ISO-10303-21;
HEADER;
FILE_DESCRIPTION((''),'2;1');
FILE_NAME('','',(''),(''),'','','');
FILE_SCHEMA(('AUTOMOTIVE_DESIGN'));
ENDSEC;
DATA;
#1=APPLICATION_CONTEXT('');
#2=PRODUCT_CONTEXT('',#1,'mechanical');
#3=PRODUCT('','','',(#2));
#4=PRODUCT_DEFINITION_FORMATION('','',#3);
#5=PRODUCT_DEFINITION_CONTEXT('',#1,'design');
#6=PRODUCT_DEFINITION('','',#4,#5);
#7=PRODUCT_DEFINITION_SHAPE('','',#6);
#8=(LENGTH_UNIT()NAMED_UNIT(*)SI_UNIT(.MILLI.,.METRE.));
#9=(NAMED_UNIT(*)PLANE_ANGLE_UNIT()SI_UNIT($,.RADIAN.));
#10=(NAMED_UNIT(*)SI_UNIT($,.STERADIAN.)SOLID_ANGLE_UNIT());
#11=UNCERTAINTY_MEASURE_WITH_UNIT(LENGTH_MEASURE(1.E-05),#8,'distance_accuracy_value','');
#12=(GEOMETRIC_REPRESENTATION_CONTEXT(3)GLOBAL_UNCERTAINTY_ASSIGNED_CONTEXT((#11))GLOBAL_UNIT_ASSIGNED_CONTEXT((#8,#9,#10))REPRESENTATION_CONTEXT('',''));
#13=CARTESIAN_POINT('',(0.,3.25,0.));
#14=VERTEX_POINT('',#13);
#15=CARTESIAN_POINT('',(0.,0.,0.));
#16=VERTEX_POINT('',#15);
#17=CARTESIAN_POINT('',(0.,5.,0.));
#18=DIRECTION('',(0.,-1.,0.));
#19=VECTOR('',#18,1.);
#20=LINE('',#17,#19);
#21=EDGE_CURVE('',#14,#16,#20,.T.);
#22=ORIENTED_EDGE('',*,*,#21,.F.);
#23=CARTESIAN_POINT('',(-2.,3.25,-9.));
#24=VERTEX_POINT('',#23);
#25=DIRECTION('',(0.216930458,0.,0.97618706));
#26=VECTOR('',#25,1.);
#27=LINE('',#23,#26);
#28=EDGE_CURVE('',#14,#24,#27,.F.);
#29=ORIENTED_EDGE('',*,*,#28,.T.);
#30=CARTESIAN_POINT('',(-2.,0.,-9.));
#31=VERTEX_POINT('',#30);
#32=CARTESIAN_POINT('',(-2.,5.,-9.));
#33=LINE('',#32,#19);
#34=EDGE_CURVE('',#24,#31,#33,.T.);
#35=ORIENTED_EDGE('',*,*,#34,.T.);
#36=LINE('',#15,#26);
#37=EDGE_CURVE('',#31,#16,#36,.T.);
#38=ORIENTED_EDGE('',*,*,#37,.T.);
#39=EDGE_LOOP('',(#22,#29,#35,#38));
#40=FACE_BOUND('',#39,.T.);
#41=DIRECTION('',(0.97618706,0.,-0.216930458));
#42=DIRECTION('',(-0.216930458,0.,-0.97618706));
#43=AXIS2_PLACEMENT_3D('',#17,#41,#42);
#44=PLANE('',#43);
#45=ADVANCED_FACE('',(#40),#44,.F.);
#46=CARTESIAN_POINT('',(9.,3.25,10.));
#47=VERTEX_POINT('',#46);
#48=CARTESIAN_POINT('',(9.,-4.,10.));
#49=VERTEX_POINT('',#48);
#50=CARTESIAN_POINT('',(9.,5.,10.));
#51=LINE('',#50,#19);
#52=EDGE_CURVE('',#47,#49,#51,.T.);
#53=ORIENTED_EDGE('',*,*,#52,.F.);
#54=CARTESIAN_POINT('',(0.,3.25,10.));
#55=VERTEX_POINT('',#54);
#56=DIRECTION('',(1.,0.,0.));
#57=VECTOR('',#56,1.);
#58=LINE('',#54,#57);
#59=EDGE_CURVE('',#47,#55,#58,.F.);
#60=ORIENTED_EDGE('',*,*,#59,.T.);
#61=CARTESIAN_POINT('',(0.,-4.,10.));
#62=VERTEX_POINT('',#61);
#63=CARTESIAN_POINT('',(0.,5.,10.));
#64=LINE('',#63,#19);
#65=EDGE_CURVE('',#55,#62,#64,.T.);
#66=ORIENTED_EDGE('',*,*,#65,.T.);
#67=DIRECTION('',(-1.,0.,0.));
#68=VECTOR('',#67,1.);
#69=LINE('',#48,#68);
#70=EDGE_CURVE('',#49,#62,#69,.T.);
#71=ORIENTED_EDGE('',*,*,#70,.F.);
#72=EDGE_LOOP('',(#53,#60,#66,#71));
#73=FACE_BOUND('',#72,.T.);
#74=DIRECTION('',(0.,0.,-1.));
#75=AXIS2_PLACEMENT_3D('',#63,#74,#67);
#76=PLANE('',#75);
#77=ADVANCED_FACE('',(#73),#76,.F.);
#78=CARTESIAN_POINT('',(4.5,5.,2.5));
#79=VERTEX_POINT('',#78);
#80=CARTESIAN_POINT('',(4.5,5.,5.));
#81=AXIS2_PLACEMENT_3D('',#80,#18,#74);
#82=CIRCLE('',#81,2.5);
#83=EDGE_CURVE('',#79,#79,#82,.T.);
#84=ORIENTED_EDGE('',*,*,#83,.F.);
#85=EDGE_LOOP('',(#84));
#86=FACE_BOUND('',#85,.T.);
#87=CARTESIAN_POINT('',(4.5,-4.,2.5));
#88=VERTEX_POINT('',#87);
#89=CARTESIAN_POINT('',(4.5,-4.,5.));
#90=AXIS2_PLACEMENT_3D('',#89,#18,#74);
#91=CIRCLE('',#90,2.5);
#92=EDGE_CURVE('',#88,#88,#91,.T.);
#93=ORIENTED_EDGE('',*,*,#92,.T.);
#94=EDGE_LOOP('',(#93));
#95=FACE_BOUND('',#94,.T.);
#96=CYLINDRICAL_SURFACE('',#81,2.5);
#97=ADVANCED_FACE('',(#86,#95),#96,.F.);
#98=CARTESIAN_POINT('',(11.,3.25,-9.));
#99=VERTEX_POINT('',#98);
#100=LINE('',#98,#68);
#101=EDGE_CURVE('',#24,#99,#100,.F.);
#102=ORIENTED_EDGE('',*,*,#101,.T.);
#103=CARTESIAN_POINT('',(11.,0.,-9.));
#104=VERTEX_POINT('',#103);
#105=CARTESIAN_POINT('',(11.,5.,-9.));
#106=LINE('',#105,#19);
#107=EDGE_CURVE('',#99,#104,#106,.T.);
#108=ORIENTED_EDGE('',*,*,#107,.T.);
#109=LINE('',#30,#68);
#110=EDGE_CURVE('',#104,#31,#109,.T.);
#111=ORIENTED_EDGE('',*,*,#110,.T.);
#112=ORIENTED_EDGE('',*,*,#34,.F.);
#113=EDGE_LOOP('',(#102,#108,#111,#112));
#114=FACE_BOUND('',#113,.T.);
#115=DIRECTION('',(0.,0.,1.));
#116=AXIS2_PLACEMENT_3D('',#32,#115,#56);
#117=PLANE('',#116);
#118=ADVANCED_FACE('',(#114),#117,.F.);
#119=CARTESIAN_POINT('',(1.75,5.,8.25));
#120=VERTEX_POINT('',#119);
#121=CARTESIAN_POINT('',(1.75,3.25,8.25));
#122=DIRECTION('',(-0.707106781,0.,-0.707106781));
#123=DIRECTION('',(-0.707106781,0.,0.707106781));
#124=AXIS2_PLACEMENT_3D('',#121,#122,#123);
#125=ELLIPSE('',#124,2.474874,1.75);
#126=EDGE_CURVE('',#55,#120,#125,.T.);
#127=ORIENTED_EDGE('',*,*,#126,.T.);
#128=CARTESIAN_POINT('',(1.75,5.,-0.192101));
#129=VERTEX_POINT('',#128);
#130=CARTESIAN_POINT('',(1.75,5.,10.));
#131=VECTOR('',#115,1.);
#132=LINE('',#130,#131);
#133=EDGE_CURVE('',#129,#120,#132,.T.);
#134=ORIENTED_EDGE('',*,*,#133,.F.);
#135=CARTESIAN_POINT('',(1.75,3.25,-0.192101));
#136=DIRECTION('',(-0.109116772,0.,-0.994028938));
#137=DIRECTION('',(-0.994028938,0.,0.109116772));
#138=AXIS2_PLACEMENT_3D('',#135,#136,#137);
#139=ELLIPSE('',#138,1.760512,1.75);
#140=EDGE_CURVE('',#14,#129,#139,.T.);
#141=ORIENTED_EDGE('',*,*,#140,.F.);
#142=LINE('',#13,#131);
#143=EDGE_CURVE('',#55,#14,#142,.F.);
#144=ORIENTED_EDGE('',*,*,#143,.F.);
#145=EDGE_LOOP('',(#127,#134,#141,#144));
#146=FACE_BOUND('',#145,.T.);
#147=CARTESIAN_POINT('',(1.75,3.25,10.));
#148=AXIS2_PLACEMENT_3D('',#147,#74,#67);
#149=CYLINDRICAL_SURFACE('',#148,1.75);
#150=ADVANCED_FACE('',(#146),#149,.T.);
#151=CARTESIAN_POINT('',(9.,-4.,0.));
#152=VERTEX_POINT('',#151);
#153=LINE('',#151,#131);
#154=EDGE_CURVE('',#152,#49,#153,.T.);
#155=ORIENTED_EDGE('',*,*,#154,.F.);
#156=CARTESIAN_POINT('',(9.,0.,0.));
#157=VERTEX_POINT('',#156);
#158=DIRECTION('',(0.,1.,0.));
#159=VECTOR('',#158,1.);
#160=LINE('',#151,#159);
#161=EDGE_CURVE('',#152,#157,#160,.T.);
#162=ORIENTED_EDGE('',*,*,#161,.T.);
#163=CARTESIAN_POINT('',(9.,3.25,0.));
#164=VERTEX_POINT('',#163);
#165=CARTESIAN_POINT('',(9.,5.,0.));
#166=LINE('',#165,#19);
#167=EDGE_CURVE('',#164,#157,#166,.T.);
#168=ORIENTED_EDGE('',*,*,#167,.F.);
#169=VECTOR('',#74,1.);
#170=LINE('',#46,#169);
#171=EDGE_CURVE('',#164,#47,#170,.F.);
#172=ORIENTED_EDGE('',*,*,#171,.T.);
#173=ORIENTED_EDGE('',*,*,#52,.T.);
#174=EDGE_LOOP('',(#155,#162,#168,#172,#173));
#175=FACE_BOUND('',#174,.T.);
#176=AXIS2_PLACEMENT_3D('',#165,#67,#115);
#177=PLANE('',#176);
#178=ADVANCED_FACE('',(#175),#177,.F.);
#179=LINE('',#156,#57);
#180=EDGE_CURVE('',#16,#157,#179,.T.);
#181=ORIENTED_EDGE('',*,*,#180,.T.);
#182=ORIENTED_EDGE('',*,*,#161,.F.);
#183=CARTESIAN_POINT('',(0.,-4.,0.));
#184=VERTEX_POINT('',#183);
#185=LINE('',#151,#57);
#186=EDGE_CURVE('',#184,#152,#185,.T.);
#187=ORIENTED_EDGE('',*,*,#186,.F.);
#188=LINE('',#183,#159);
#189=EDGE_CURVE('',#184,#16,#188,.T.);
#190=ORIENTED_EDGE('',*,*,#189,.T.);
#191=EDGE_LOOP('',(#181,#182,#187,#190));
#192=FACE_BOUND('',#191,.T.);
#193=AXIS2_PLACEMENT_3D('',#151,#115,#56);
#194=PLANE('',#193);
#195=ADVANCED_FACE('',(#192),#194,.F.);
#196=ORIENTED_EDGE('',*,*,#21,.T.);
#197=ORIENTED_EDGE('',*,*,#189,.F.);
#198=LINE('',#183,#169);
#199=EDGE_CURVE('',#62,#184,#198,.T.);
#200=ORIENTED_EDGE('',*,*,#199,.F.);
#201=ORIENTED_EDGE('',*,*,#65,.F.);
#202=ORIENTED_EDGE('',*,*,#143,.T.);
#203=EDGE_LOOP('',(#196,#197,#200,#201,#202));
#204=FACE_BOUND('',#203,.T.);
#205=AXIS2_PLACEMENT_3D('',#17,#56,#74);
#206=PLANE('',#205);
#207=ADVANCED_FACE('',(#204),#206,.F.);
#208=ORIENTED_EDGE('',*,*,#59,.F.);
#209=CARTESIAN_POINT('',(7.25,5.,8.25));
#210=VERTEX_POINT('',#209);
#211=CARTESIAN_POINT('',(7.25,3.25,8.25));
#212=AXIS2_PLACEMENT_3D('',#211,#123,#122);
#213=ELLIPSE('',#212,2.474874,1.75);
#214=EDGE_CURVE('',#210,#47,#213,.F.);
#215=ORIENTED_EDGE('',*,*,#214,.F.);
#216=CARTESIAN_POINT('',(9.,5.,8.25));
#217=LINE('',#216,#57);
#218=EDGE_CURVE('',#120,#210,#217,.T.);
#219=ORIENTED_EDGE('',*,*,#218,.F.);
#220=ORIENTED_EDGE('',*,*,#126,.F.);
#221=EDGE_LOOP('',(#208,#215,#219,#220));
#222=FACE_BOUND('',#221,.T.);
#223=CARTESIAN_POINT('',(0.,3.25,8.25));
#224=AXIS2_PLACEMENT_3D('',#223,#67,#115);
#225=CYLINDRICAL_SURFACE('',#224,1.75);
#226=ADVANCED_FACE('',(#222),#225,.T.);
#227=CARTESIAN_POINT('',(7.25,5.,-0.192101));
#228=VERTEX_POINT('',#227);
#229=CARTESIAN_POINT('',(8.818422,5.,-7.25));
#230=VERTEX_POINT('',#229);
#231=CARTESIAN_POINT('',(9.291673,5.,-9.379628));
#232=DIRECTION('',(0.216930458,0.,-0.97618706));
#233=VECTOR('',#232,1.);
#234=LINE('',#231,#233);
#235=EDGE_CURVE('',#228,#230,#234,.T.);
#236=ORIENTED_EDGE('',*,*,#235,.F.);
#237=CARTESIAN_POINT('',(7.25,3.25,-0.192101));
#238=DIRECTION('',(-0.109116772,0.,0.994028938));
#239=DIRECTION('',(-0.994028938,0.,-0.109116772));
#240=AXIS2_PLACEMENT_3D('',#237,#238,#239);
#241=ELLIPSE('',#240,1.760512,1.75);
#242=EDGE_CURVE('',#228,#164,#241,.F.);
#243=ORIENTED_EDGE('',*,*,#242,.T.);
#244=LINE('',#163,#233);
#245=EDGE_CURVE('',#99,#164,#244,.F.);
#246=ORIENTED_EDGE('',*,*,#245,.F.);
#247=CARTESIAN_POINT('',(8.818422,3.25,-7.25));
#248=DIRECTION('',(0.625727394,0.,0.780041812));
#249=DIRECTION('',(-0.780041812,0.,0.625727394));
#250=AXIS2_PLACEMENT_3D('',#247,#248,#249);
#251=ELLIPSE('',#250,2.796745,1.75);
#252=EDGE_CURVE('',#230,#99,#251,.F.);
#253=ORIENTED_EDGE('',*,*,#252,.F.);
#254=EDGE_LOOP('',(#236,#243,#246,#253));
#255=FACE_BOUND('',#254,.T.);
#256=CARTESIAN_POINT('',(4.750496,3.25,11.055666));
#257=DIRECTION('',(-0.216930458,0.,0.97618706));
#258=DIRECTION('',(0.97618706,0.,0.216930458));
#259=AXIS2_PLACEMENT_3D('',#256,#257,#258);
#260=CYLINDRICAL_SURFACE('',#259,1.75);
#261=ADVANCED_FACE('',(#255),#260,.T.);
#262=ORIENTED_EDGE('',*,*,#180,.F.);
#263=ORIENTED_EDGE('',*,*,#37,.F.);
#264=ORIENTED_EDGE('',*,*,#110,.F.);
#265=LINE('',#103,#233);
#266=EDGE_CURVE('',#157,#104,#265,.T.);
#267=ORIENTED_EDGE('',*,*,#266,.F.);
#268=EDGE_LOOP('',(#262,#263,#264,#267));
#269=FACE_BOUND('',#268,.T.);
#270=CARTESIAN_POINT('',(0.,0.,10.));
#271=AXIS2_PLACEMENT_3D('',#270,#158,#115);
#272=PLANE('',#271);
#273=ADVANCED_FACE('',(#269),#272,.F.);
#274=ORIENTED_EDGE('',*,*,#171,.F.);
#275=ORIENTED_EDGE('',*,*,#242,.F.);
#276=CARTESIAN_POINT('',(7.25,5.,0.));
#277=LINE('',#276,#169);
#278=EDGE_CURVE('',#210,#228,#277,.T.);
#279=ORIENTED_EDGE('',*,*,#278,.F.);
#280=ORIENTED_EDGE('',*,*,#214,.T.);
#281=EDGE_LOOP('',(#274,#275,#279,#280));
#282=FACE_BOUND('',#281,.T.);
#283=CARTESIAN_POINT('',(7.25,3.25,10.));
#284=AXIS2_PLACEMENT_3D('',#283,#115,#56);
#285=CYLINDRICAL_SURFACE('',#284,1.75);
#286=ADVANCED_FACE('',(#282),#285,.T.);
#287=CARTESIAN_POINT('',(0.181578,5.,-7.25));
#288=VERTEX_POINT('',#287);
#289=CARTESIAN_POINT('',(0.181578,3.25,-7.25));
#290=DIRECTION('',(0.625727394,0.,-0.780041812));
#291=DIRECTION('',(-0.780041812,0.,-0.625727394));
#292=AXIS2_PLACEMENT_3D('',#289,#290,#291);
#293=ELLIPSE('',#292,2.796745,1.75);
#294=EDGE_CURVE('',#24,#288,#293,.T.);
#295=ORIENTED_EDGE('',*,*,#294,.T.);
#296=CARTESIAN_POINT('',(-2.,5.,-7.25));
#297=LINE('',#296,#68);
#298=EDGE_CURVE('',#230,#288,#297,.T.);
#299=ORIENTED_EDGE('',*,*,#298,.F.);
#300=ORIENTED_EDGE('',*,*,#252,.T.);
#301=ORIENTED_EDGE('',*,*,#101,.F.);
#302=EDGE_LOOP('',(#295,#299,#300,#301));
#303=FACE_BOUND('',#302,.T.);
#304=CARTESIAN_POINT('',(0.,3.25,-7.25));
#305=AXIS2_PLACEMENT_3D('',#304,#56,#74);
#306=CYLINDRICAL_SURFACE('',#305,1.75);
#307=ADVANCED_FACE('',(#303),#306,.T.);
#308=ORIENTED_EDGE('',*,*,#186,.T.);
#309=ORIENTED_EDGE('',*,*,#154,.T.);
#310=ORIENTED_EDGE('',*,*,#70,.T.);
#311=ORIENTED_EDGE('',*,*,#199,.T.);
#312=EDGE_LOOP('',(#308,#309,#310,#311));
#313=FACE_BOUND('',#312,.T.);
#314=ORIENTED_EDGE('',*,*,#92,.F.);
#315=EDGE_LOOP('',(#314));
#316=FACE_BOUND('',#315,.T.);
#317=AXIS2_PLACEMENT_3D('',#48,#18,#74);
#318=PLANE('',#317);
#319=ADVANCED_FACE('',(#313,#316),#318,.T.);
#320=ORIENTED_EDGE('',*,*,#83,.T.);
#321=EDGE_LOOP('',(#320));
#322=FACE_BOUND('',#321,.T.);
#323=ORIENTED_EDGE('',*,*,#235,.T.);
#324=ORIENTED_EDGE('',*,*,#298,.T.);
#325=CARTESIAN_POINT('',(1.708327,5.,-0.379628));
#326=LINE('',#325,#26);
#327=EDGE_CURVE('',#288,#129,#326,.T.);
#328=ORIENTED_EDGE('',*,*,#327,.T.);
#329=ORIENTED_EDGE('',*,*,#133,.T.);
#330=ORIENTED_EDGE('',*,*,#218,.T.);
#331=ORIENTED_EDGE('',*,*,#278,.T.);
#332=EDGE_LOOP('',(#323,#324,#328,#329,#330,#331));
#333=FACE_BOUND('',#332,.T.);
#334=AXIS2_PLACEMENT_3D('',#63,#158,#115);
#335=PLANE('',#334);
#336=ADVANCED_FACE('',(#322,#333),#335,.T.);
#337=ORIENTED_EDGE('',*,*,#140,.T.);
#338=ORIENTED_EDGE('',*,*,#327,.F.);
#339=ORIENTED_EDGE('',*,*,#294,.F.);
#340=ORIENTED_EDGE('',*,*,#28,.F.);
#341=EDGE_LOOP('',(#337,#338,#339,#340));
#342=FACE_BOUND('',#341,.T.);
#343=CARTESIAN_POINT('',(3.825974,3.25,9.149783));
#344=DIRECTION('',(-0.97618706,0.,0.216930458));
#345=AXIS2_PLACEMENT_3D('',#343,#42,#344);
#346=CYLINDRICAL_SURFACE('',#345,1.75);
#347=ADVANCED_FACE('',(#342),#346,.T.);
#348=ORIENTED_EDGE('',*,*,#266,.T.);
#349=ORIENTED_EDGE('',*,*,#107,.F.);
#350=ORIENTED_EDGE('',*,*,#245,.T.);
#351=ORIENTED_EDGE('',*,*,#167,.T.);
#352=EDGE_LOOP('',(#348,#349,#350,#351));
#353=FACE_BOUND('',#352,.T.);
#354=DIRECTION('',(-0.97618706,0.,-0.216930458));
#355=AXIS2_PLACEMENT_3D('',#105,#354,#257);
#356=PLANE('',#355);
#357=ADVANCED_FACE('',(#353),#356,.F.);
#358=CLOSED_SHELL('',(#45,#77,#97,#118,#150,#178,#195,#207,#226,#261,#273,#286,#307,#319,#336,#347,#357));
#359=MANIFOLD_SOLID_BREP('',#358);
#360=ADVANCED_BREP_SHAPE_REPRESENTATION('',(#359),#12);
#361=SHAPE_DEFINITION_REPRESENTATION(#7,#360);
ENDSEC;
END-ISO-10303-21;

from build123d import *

# Parameters (mm, degrees)
BOSS_EXTRUDE2_DEPTH = 5
SKETCH3_W           = 9
SKETCH3_H           = 10
BOSS_EXTRUDE3_DEPTH = 4
SKETCH4_R           = 2.5
CUT_EXTRUDE1_DEPTH  = 10
FILLET1_R           = 1.75


with BuildPart() as part:
    # Sketch1 → Boss-Extrude2 (new body)
    with BuildSketch(Plane(origin=(0, 0, 0), x_dir=(1, 0, 0), z_dir=(0, 1, 0))):
        Polygon((0, 0), (-2, 9), (11, 9), (9, 0), (9, -10), (0, -10), align=None)
    extrude(amount=BOSS_EXTRUDE2_DEPTH)

    # Sketch3 → Boss-Extrude3 (add)
    with BuildSketch(Plane.XZ):
        with Locations((4.5, 5)):
            Rectangle(SKETCH3_W, SKETCH3_H)
    extrude(amount=BOSS_EXTRUDE3_DEPTH)

    # Sketch4 → Cut-Extrude1 (cut, through all)
    with BuildSketch(Plane.XZ.offset(4)):
        with Locations((4.5, 5)):
            Circle(SKETCH4_R)
    extrude(amount=-CUT_EXTRUDE1_DEPTH, mode=Mode.SUBTRACT)

    # Fillet1
    fillet1_edges = [part.edges().sort_by_distance(p)[0] for p in [
        (9, 5, 5),
        (10, 5, -4.5),
        (4.5, 5, -9),
        (-1, 5, -4.5),
        (0, 5, 5),
        (4.5, 5, 10),
    ]]
    fillet(fillet1_edges, radius=FILLET1_R)


solid = part.part
